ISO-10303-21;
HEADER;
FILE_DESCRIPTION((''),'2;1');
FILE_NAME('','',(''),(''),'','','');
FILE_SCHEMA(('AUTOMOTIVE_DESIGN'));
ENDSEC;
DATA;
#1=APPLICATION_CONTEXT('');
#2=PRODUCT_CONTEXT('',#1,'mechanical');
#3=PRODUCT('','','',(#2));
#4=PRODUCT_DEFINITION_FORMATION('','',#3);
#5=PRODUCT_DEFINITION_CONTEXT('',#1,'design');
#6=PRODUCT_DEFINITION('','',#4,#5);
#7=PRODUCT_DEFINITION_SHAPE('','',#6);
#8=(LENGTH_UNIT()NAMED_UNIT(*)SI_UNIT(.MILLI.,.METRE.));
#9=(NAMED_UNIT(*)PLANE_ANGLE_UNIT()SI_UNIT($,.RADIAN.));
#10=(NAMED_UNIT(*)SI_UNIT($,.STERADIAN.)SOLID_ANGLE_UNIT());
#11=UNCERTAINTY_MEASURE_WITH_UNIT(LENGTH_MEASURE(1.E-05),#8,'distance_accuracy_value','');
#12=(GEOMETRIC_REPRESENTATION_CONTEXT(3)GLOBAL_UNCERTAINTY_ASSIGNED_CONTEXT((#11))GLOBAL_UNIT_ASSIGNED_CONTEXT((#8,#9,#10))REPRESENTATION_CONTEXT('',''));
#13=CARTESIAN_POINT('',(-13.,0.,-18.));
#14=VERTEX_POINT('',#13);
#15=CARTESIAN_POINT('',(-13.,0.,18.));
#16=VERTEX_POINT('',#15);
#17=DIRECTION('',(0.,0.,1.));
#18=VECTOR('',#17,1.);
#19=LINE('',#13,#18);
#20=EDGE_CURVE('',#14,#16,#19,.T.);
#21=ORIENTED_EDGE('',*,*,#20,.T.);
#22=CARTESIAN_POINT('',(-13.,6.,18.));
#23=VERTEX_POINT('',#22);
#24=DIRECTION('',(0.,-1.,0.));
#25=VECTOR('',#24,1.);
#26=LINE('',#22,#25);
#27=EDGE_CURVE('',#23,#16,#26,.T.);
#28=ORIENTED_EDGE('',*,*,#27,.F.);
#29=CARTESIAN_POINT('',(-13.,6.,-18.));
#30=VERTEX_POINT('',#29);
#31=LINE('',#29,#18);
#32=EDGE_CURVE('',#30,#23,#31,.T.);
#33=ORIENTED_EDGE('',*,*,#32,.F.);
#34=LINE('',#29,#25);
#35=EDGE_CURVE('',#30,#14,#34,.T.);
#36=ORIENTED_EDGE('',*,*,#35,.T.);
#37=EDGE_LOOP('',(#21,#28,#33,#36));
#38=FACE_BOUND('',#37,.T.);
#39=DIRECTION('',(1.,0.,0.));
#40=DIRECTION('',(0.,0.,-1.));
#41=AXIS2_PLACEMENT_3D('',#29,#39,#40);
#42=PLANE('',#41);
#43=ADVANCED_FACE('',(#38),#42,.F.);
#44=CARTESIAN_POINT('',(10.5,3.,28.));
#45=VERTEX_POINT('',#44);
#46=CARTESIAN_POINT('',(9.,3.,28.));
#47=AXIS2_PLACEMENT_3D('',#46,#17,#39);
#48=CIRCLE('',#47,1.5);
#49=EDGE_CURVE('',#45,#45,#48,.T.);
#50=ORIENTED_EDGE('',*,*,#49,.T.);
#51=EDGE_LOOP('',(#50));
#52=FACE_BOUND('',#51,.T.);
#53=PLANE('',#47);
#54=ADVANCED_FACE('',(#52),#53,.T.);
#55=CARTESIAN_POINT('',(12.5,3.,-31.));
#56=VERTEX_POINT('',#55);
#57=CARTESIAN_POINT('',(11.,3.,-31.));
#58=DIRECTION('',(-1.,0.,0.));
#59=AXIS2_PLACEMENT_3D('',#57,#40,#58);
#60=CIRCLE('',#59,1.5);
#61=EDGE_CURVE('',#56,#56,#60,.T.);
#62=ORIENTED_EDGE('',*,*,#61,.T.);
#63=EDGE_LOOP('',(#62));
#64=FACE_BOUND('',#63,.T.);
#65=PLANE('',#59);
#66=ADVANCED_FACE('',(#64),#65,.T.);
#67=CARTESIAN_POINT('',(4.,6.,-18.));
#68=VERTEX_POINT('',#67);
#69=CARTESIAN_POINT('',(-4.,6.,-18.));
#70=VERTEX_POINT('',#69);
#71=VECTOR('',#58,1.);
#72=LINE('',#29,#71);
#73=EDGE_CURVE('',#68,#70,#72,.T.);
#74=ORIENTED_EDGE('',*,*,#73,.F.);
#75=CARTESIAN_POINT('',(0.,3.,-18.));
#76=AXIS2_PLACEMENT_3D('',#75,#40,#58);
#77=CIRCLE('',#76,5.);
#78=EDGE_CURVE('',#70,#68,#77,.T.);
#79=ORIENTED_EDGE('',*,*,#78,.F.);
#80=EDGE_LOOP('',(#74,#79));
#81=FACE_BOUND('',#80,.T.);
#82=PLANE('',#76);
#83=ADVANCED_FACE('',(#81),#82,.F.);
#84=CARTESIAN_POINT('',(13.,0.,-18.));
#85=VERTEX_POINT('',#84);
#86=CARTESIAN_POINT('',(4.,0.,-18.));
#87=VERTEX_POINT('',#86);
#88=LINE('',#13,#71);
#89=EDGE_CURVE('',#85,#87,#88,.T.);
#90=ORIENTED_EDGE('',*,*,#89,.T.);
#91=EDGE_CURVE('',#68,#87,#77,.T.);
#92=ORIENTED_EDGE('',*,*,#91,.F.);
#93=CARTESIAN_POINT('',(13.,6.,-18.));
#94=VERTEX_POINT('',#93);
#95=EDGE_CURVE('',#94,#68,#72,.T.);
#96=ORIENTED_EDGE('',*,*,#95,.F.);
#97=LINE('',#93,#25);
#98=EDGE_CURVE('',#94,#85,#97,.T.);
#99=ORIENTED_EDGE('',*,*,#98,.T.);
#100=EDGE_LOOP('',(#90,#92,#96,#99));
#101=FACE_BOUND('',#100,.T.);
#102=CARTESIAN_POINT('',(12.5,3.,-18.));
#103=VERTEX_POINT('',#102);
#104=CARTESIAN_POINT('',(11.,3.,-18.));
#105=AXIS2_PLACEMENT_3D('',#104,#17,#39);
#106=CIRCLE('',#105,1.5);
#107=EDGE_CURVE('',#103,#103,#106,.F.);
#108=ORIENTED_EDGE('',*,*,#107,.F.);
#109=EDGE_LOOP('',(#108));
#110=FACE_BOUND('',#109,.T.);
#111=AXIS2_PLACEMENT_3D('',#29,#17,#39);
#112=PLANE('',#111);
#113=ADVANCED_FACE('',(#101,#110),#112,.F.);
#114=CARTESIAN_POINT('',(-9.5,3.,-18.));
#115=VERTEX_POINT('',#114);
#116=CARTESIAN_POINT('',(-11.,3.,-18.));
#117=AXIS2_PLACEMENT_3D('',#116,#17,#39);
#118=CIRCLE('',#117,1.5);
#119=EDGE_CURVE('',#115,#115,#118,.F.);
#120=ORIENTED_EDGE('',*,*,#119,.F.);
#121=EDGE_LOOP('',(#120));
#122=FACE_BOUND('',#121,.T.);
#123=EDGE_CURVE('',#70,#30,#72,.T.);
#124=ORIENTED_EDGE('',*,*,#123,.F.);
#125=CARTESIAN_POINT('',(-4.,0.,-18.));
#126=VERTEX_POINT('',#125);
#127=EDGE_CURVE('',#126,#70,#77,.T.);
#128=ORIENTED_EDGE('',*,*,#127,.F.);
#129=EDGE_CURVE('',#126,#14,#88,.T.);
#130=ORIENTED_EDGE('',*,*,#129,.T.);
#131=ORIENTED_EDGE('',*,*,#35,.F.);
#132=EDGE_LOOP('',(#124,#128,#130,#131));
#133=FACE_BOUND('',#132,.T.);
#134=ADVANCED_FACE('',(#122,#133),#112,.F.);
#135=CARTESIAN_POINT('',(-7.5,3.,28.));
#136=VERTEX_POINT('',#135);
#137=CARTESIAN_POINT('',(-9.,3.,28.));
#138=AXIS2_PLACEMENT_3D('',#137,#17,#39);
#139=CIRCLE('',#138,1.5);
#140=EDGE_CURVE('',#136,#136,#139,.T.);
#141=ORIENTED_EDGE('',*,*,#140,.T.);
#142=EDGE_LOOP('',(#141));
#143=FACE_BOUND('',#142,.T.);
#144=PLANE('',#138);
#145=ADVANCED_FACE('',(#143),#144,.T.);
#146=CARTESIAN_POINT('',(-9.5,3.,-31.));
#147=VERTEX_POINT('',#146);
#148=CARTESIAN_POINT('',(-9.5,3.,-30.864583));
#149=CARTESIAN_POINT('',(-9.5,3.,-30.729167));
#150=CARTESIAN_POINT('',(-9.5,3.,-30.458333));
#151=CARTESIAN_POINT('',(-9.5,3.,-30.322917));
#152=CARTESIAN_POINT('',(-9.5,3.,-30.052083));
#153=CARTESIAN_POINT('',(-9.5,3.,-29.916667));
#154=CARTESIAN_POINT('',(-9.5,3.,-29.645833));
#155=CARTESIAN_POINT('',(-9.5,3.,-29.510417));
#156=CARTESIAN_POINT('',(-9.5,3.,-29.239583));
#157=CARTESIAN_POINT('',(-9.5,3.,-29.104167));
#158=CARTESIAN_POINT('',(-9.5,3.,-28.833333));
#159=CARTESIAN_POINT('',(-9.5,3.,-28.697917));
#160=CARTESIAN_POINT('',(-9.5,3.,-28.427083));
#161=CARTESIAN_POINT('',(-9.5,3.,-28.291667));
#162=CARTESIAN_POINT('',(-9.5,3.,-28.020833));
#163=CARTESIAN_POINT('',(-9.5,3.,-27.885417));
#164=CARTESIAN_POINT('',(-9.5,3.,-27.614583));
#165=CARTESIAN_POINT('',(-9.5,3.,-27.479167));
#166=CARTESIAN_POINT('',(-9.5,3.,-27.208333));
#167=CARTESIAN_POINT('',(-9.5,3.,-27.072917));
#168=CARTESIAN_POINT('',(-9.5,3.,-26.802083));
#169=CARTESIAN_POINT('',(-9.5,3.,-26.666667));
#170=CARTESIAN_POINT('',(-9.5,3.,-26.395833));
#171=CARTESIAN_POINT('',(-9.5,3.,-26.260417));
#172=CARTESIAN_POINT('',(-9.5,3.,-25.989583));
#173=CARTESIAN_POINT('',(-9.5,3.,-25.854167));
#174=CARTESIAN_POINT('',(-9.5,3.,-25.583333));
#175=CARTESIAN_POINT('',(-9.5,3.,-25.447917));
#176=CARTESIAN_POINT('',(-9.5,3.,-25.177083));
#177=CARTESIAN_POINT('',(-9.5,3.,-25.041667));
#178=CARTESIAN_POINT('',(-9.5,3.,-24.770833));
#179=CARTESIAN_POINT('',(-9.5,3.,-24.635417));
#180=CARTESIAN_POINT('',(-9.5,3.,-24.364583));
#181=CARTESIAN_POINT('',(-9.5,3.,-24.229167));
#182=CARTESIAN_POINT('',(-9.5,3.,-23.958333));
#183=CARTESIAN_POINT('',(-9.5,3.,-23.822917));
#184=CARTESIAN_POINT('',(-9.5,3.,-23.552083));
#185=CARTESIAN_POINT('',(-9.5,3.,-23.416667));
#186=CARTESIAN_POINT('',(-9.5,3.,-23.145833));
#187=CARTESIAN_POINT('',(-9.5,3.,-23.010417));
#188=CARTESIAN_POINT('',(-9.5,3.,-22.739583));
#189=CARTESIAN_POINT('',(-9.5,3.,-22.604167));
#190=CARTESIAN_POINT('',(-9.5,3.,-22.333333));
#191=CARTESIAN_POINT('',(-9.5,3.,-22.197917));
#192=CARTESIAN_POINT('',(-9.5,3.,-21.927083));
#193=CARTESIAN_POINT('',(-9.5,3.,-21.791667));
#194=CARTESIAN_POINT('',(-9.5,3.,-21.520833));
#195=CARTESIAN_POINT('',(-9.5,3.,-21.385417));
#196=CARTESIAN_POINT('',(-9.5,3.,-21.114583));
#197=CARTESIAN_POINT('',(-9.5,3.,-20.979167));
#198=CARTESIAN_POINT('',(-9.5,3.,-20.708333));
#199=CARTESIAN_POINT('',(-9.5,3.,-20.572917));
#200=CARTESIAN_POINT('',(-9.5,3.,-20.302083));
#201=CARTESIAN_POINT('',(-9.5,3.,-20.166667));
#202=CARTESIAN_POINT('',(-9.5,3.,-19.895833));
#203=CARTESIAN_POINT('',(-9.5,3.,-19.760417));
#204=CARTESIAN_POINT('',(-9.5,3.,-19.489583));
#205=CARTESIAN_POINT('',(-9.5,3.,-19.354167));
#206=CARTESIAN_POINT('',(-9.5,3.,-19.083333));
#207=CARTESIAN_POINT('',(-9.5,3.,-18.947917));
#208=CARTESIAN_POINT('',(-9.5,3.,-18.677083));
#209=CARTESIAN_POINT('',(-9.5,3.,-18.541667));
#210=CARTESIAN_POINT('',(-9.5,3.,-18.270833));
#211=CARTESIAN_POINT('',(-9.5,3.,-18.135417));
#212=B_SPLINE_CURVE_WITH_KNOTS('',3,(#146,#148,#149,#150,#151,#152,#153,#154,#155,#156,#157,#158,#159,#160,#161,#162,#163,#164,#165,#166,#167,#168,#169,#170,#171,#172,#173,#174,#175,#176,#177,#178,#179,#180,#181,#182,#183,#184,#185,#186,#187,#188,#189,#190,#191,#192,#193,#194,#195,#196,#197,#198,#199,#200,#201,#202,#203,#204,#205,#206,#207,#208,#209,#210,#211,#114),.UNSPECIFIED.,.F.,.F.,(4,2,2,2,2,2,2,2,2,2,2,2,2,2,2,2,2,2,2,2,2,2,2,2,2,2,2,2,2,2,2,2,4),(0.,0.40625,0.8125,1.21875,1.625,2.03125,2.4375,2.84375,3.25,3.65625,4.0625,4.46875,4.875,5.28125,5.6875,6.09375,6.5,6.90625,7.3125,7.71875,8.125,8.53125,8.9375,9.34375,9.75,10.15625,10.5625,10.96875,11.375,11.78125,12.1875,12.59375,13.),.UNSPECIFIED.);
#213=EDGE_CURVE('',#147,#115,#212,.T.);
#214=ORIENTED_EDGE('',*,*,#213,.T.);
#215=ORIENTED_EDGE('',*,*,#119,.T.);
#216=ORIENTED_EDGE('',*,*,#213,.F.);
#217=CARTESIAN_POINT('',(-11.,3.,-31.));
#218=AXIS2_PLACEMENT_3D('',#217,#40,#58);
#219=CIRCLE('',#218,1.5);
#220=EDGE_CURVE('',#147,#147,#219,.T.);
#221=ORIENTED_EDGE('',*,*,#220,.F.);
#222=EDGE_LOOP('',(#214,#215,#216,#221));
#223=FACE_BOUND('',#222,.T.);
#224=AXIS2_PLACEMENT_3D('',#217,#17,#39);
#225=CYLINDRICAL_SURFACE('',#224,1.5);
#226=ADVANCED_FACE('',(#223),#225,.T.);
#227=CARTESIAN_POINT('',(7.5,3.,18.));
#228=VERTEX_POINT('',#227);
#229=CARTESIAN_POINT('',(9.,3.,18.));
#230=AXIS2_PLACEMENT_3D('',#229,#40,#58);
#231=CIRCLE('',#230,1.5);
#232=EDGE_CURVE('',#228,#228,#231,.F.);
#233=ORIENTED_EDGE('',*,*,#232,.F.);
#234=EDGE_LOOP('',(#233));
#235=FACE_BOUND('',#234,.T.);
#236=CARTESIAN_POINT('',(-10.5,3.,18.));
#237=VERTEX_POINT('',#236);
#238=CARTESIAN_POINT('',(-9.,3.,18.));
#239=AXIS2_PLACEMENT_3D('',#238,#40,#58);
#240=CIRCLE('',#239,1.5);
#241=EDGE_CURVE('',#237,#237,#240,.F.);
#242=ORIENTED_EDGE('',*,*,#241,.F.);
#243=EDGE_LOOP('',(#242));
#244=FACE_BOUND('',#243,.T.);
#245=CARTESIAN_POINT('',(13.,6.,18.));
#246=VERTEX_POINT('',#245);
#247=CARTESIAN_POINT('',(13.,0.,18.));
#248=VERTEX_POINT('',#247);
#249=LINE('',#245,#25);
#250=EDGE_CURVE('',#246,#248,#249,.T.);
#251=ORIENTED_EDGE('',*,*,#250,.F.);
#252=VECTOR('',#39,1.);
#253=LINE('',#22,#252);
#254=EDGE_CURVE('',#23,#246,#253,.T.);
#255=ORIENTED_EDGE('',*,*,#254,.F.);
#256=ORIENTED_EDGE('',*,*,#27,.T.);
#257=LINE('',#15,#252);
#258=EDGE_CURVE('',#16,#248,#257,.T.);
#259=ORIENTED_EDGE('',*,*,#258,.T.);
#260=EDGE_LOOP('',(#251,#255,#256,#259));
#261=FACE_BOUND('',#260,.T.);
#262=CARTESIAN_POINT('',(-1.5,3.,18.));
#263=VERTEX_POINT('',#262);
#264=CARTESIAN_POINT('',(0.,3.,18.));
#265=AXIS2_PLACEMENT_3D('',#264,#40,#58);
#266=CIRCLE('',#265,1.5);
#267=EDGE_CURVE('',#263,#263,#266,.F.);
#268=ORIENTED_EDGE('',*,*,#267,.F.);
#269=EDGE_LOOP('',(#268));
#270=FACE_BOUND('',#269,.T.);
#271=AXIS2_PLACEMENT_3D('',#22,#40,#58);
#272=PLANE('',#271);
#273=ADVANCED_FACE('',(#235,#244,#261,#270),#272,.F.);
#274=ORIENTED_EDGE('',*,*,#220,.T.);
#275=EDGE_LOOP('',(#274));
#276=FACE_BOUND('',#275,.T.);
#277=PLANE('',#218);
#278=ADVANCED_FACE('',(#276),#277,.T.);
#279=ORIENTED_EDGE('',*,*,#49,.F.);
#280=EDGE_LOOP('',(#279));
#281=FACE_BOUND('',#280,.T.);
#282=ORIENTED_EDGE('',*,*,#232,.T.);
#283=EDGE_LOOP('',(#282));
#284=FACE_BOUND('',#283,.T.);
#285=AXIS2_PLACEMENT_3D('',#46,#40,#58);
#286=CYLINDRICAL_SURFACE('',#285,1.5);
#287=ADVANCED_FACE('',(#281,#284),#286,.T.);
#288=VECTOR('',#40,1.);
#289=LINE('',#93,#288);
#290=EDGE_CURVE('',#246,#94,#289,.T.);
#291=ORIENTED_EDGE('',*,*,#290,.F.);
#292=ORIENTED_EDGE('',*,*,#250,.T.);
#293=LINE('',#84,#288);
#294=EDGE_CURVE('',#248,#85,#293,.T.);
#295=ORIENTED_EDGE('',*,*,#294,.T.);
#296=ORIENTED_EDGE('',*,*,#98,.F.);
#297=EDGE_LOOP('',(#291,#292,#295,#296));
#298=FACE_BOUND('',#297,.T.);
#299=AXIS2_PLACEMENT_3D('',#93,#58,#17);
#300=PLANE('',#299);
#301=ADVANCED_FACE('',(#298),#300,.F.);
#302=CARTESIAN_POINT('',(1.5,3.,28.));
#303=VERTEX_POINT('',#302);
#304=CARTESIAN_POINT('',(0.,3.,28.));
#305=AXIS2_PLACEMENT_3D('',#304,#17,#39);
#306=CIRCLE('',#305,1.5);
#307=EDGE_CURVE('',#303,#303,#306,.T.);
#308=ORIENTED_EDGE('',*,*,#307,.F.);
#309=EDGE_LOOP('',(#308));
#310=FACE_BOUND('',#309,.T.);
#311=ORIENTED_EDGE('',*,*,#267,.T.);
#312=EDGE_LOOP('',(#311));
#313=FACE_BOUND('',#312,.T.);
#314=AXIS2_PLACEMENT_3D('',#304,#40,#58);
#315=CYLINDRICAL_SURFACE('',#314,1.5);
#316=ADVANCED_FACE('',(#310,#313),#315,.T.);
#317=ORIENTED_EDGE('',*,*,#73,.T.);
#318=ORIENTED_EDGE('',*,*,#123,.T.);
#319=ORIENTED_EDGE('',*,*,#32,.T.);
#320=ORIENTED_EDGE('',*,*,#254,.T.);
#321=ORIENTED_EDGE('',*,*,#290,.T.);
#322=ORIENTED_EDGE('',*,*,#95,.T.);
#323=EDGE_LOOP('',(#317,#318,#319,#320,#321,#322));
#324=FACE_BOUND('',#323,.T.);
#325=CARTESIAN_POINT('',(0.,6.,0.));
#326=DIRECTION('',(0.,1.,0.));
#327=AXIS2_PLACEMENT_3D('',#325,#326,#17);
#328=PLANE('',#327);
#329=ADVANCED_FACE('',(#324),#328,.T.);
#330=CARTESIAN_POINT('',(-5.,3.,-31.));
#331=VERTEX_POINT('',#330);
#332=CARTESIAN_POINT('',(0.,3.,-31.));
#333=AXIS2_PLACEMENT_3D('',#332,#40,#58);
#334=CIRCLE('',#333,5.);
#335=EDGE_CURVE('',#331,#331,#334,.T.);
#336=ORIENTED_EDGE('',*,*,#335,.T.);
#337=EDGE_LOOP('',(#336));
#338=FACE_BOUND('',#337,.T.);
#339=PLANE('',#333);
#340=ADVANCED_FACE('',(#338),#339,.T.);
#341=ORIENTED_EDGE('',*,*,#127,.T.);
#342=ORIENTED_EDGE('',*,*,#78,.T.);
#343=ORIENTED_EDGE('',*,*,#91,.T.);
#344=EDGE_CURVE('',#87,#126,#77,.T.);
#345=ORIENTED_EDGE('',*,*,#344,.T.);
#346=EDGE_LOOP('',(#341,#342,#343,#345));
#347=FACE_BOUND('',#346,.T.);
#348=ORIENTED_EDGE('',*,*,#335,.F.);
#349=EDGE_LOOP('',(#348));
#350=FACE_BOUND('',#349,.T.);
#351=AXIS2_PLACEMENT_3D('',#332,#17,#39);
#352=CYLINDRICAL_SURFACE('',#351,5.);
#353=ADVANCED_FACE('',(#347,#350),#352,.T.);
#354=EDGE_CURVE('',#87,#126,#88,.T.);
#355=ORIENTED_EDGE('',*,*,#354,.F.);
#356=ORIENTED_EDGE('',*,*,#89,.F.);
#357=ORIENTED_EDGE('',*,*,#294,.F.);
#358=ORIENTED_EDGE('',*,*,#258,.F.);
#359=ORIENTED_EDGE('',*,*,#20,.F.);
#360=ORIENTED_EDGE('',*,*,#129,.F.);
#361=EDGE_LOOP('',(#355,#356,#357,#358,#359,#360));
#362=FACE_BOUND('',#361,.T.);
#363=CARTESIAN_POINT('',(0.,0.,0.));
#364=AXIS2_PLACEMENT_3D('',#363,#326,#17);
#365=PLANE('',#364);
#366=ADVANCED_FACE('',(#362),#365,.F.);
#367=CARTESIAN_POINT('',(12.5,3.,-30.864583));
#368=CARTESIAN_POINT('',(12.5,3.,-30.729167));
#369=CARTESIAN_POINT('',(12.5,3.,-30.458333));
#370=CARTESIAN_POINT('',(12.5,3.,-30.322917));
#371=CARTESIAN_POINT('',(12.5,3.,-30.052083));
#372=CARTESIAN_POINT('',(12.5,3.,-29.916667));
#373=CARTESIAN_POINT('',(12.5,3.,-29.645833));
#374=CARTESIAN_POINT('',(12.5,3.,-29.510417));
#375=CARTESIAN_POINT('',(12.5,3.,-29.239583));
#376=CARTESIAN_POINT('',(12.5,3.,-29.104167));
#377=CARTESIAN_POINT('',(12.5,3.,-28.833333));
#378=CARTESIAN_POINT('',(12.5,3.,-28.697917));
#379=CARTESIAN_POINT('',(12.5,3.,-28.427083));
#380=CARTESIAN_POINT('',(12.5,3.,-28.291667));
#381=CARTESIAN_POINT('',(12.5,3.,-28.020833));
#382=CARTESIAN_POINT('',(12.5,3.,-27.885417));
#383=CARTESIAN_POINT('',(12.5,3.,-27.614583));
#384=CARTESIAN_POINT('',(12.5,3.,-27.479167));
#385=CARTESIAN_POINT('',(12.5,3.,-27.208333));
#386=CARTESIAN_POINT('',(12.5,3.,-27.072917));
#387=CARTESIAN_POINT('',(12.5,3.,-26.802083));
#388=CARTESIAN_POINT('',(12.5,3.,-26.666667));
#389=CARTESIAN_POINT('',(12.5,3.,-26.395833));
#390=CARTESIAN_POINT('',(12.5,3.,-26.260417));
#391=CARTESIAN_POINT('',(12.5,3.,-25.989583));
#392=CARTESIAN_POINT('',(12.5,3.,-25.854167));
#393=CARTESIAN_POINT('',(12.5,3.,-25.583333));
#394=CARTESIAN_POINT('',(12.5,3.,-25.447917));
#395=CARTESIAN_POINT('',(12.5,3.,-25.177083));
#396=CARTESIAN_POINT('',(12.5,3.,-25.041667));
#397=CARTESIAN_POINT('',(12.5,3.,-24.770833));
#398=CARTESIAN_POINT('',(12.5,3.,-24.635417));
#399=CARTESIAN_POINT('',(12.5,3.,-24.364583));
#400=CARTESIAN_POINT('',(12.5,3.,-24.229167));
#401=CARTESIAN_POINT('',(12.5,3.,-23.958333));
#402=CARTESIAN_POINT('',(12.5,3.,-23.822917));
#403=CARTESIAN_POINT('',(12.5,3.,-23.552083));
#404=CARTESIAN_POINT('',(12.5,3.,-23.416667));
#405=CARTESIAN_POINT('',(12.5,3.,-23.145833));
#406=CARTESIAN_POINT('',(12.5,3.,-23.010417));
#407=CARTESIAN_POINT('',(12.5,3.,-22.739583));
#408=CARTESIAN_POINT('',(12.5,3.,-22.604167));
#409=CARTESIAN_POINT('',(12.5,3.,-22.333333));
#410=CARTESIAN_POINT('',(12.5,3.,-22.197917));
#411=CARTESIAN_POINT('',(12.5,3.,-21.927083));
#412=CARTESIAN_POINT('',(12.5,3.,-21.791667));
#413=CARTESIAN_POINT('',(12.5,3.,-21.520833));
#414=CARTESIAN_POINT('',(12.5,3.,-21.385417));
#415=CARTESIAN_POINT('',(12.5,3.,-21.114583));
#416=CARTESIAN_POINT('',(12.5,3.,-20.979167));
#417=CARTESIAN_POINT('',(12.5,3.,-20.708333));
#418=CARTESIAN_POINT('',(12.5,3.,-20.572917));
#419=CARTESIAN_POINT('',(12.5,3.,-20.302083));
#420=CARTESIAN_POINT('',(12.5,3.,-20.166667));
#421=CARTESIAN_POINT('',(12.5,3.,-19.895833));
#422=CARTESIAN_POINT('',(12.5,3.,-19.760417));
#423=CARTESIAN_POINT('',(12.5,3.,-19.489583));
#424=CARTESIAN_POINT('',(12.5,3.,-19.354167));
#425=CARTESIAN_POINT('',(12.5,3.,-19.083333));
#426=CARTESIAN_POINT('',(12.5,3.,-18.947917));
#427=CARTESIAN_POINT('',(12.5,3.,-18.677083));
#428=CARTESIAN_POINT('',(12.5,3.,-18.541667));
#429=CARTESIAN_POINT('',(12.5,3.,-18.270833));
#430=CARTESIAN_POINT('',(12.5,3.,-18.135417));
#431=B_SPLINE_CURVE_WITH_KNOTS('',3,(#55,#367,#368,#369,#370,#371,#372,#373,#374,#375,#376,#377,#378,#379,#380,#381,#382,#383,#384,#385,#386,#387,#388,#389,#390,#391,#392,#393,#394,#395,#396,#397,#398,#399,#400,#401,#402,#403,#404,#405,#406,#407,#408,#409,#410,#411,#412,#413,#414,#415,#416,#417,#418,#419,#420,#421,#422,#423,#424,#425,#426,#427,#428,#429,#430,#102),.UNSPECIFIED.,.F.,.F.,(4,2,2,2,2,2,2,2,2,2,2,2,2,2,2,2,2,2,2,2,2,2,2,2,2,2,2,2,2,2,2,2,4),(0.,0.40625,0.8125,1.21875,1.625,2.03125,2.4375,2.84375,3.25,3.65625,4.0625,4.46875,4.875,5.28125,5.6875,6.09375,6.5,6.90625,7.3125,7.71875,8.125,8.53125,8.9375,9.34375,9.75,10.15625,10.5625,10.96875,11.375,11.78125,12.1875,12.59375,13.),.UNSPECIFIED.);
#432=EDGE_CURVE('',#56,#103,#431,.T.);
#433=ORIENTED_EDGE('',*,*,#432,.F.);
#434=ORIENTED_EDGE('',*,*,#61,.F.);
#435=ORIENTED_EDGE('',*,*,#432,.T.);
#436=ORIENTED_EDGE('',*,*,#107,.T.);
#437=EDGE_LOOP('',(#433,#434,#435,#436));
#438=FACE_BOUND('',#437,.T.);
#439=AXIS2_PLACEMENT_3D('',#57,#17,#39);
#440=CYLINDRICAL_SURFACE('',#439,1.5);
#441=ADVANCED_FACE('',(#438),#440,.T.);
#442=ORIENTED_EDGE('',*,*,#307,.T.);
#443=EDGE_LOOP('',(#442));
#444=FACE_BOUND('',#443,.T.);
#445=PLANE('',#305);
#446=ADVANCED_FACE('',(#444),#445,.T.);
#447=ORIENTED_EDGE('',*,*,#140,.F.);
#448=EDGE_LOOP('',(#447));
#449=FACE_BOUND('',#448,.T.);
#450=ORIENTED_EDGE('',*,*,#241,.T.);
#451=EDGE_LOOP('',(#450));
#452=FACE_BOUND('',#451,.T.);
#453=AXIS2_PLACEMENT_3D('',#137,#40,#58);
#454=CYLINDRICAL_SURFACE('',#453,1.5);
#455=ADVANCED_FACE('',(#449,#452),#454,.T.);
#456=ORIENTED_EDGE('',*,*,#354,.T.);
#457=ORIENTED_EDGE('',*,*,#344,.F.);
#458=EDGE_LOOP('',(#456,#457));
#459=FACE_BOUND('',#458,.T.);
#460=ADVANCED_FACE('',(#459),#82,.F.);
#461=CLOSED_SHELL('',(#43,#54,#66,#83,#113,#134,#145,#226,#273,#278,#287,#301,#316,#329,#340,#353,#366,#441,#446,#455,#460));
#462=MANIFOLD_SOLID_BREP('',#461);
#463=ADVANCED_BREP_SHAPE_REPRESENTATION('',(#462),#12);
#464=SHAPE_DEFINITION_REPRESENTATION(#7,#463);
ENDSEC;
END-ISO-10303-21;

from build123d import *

# Parameters (mm, degrees)
SKETCH1_W           = 26
SKETCH1_H           = 36
BOSS_EXTRUDE1_DEPTH = 6
SKETCH2_R           = 1.5
BOSS_EXTRUDE2_DEPTH = 10
SKETCH3_R           = 5
SKETCH3_R_2         = 1.5
BOSS_EXTRUDE3_DEPTH = 13


with BuildPart() as part:
    # Sketch1 → Boss-Extrude1 (new body)
    with BuildSketch(Plane(origin=(0, 0, 0), x_dir=(1, 0, 0), z_dir=(0, 1, 0))):
        Rectangle(SKETCH1_W, SKETCH1_H)
    extrude(amount=BOSS_EXTRUDE1_DEPTH)

    # Sketch2 → Boss-Extrude2 (add)
    with BuildSketch(Plane.XY.offset(18)):
        with Locations(Location((0, 3, 0), (0, 0, 180))):
            Circle(SKETCH2_R)
        with Locations(Location((-9, 3, 0), (0, 0, 180))):
            Circle(SKETCH2_R)
        with Locations(Location((9, 3, 0), (0, 0, 180))):
            Circle(SKETCH2_R)
    extrude(amount=BOSS_EXTRUDE2_DEPTH)

    # Sketch3 → Boss-Extrude3 (add)
    with BuildSketch(Plane(origin=(0, 0, -18), x_dir=(-1, 0, 0), z_dir=(0, 0, -1))):
        with Locations(Location((0, 3, 0), (0, 0, 143.130102354))):
            Circle(SKETCH3_R)
        with Locations(Location((-11, 3, 0), (0, 0, 180))):
            Circle(SKETCH3_R_2)
        with Locations(Location((11, 3, 0), (0, 0, 180))):
            Circle(SKETCH3_R_2)
    extrude(amount=BOSS_EXTRUDE3_DEPTH)


solid = part.part
